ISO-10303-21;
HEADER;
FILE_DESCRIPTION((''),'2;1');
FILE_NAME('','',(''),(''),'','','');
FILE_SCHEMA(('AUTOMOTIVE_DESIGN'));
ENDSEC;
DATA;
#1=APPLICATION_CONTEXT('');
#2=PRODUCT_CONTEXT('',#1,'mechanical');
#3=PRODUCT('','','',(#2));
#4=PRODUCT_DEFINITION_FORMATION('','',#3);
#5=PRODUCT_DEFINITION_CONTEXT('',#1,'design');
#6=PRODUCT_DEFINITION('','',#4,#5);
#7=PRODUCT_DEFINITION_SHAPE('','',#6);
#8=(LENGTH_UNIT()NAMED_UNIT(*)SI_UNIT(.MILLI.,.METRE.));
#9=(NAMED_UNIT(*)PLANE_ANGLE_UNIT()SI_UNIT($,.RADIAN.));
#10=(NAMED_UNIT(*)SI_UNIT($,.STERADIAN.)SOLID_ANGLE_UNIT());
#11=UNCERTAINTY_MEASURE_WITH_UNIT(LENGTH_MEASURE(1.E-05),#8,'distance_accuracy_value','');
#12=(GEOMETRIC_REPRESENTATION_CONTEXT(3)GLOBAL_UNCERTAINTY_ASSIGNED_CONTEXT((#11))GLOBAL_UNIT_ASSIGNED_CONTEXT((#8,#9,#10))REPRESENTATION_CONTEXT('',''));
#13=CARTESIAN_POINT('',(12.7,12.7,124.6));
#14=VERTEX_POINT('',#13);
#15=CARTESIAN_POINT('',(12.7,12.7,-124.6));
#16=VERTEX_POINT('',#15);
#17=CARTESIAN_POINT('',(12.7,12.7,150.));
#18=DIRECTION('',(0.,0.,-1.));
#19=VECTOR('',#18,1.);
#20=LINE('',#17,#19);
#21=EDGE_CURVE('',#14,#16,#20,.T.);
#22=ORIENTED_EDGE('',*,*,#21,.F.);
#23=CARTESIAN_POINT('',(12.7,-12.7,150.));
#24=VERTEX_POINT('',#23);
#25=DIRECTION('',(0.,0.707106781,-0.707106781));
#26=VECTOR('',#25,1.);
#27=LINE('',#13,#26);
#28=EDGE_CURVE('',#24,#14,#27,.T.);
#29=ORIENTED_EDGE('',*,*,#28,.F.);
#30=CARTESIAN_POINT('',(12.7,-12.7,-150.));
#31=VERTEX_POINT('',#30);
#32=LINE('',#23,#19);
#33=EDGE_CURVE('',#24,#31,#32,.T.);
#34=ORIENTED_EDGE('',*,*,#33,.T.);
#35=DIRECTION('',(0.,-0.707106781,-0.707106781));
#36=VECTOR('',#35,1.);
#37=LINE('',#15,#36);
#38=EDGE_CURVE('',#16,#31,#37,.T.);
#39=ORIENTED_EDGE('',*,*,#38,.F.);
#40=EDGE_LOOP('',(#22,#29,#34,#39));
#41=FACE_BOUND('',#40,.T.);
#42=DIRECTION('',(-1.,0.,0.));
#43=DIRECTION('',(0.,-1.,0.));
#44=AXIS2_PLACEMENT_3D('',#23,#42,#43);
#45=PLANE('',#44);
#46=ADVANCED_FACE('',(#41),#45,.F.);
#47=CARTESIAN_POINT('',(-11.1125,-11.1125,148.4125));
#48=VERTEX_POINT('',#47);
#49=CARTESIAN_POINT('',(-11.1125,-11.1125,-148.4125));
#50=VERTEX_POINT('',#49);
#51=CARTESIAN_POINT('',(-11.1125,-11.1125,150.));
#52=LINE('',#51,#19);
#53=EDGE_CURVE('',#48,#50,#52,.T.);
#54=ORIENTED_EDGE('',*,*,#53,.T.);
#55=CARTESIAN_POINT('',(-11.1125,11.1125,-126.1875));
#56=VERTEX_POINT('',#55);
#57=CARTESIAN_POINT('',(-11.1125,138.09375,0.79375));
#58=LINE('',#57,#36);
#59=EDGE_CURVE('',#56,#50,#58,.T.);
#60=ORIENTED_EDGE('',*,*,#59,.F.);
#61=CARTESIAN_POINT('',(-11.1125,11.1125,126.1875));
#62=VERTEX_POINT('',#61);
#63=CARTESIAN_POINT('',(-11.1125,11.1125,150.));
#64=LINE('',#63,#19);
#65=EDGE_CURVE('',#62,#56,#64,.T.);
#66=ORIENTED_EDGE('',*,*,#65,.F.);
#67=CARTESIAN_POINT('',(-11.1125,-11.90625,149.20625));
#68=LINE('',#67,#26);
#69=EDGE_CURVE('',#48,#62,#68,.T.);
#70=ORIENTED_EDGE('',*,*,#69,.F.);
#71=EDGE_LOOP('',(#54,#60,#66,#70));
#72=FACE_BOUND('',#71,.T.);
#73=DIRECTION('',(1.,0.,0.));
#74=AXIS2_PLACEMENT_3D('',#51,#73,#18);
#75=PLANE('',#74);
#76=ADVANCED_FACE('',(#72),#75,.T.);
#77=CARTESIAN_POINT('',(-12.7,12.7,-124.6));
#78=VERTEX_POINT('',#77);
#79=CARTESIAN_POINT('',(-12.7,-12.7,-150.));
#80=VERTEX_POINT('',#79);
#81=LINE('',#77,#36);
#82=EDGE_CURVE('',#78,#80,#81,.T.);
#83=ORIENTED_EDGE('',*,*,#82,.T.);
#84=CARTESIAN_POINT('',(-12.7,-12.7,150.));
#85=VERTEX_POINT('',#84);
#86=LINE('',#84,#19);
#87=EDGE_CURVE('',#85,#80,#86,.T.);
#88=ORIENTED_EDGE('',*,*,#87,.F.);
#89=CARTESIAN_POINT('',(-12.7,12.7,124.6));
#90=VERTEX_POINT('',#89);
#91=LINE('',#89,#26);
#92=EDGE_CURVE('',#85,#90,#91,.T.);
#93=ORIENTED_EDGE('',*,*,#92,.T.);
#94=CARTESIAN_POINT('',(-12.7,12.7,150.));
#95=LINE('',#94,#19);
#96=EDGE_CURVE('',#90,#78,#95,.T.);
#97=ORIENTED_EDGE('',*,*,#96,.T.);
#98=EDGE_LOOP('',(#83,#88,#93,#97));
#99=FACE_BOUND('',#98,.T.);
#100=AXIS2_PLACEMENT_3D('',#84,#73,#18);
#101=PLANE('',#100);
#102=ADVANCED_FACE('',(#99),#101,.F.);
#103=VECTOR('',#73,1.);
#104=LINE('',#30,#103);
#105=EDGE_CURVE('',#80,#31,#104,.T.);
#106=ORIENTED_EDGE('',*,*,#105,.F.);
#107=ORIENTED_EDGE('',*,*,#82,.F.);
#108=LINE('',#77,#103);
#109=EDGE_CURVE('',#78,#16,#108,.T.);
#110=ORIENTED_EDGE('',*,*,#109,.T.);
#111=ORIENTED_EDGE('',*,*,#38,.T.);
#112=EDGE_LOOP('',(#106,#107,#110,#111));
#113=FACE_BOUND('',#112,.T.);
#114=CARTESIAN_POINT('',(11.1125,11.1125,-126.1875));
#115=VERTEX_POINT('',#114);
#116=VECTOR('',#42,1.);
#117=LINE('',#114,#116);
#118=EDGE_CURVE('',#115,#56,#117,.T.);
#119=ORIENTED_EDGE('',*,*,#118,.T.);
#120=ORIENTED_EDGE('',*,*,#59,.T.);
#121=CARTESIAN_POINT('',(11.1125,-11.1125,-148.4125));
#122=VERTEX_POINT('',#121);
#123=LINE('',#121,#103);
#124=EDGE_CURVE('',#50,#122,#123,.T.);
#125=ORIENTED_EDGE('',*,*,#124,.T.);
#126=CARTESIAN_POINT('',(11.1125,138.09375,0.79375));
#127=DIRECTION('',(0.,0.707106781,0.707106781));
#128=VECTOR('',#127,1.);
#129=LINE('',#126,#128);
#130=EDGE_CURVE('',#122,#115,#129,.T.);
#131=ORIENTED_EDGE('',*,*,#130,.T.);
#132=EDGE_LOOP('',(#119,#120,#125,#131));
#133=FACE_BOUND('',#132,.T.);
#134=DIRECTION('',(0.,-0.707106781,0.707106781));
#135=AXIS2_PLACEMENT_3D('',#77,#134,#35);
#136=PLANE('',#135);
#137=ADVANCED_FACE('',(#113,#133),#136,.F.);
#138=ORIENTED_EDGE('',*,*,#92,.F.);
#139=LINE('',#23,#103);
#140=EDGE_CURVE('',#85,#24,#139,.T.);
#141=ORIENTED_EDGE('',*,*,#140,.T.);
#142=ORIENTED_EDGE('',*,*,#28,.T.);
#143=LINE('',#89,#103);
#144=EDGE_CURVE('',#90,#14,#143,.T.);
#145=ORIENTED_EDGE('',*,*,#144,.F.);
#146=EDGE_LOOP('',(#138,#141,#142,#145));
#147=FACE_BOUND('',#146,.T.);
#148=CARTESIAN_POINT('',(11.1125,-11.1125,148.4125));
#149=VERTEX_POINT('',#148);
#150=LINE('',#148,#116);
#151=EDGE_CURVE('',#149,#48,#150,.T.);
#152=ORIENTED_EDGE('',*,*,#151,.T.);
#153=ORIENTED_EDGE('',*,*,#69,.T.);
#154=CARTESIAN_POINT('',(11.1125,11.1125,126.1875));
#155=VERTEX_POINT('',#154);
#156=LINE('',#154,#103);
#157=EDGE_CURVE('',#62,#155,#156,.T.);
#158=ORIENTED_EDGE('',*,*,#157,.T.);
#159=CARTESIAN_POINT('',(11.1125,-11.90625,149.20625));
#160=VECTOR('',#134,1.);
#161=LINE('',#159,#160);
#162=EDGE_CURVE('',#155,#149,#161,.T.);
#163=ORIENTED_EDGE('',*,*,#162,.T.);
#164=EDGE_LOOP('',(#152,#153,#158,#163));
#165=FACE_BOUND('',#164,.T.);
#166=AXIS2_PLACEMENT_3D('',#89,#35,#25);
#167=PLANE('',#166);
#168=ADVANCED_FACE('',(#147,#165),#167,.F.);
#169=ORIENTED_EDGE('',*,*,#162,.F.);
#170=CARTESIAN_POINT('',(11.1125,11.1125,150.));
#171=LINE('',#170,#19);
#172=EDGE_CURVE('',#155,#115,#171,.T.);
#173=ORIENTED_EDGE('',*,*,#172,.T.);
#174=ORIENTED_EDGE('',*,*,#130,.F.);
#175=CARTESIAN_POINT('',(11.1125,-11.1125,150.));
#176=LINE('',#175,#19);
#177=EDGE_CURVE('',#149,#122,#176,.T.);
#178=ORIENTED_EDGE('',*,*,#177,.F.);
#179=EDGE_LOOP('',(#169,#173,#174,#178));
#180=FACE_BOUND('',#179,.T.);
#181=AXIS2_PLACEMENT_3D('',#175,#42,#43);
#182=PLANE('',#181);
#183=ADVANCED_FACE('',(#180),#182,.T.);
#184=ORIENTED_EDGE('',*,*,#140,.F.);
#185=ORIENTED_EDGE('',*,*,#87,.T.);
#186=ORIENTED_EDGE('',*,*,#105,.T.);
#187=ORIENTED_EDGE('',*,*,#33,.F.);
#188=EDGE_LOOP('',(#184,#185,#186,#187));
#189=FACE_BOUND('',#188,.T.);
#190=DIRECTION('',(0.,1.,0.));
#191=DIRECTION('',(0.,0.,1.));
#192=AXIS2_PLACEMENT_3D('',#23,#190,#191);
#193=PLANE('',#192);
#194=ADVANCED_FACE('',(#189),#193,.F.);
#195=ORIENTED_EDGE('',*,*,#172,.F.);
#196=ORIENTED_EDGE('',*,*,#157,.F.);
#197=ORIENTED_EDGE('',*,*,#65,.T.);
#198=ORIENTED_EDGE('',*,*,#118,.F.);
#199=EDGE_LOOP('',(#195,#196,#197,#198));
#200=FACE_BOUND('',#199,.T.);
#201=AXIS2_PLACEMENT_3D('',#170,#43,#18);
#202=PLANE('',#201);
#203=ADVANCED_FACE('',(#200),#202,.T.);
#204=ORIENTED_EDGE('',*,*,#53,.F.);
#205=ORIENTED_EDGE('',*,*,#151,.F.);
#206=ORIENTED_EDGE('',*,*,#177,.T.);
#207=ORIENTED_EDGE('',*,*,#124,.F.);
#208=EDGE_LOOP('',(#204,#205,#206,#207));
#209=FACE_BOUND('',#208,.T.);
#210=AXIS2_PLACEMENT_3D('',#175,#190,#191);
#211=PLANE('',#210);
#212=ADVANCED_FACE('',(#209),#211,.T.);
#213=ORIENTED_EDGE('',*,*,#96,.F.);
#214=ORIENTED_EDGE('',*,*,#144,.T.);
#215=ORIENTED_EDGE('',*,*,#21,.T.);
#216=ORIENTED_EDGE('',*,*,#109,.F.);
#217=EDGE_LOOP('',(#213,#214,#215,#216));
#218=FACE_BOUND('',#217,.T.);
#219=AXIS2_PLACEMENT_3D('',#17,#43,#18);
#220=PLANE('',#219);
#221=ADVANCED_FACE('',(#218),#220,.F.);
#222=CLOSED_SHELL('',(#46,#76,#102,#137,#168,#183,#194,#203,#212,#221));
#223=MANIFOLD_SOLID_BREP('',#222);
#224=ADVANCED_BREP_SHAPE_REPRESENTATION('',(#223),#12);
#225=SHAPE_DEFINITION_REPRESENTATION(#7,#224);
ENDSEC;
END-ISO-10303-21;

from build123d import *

# Parameters (mm, degrees)
SKETCH1_W           = 25.4
SKETCH1_H           = 25.4
SKETCH1_W_2         = 22.225
SKETCH1_H_2         = 22.225
BOSS_EXTRUDE1_DEPTH = 150
CUT_EXTRUDE1_DEPTH  = 153.66450144


with BuildPart() as part:
    # Sketch1 → Boss-Extrude1 (new, symmetric)
    with BuildSketch(Plane.XY):
        Rectangle(SKETCH1_W, SKETCH1_H)
        Rectangle(SKETCH1_W_2, SKETCH1_H_2, mode=Mode.SUBTRACT)
    extrude(amount=BOSS_EXTRUDE1_DEPTH, both=True)

    # Sketch2 → Cut-Extrude1 (cut, through all)
    with BuildSketch(Plane(origin=(12.7, 0, 0), x_dir=(0, 0, -1), z_dir=(1, 0, 0))):
        Polygon((-150, -12.7), (-150, 12.7), (-124.6, 12.7), align=None)
        Polygon((150, -12.7), (150, 12.7), (124.6, 12.7), align=None)
    extrude(amount=-CUT_EXTRUDE1_DEPTH, mode=Mode.SUBTRACT)


solid = part.part
